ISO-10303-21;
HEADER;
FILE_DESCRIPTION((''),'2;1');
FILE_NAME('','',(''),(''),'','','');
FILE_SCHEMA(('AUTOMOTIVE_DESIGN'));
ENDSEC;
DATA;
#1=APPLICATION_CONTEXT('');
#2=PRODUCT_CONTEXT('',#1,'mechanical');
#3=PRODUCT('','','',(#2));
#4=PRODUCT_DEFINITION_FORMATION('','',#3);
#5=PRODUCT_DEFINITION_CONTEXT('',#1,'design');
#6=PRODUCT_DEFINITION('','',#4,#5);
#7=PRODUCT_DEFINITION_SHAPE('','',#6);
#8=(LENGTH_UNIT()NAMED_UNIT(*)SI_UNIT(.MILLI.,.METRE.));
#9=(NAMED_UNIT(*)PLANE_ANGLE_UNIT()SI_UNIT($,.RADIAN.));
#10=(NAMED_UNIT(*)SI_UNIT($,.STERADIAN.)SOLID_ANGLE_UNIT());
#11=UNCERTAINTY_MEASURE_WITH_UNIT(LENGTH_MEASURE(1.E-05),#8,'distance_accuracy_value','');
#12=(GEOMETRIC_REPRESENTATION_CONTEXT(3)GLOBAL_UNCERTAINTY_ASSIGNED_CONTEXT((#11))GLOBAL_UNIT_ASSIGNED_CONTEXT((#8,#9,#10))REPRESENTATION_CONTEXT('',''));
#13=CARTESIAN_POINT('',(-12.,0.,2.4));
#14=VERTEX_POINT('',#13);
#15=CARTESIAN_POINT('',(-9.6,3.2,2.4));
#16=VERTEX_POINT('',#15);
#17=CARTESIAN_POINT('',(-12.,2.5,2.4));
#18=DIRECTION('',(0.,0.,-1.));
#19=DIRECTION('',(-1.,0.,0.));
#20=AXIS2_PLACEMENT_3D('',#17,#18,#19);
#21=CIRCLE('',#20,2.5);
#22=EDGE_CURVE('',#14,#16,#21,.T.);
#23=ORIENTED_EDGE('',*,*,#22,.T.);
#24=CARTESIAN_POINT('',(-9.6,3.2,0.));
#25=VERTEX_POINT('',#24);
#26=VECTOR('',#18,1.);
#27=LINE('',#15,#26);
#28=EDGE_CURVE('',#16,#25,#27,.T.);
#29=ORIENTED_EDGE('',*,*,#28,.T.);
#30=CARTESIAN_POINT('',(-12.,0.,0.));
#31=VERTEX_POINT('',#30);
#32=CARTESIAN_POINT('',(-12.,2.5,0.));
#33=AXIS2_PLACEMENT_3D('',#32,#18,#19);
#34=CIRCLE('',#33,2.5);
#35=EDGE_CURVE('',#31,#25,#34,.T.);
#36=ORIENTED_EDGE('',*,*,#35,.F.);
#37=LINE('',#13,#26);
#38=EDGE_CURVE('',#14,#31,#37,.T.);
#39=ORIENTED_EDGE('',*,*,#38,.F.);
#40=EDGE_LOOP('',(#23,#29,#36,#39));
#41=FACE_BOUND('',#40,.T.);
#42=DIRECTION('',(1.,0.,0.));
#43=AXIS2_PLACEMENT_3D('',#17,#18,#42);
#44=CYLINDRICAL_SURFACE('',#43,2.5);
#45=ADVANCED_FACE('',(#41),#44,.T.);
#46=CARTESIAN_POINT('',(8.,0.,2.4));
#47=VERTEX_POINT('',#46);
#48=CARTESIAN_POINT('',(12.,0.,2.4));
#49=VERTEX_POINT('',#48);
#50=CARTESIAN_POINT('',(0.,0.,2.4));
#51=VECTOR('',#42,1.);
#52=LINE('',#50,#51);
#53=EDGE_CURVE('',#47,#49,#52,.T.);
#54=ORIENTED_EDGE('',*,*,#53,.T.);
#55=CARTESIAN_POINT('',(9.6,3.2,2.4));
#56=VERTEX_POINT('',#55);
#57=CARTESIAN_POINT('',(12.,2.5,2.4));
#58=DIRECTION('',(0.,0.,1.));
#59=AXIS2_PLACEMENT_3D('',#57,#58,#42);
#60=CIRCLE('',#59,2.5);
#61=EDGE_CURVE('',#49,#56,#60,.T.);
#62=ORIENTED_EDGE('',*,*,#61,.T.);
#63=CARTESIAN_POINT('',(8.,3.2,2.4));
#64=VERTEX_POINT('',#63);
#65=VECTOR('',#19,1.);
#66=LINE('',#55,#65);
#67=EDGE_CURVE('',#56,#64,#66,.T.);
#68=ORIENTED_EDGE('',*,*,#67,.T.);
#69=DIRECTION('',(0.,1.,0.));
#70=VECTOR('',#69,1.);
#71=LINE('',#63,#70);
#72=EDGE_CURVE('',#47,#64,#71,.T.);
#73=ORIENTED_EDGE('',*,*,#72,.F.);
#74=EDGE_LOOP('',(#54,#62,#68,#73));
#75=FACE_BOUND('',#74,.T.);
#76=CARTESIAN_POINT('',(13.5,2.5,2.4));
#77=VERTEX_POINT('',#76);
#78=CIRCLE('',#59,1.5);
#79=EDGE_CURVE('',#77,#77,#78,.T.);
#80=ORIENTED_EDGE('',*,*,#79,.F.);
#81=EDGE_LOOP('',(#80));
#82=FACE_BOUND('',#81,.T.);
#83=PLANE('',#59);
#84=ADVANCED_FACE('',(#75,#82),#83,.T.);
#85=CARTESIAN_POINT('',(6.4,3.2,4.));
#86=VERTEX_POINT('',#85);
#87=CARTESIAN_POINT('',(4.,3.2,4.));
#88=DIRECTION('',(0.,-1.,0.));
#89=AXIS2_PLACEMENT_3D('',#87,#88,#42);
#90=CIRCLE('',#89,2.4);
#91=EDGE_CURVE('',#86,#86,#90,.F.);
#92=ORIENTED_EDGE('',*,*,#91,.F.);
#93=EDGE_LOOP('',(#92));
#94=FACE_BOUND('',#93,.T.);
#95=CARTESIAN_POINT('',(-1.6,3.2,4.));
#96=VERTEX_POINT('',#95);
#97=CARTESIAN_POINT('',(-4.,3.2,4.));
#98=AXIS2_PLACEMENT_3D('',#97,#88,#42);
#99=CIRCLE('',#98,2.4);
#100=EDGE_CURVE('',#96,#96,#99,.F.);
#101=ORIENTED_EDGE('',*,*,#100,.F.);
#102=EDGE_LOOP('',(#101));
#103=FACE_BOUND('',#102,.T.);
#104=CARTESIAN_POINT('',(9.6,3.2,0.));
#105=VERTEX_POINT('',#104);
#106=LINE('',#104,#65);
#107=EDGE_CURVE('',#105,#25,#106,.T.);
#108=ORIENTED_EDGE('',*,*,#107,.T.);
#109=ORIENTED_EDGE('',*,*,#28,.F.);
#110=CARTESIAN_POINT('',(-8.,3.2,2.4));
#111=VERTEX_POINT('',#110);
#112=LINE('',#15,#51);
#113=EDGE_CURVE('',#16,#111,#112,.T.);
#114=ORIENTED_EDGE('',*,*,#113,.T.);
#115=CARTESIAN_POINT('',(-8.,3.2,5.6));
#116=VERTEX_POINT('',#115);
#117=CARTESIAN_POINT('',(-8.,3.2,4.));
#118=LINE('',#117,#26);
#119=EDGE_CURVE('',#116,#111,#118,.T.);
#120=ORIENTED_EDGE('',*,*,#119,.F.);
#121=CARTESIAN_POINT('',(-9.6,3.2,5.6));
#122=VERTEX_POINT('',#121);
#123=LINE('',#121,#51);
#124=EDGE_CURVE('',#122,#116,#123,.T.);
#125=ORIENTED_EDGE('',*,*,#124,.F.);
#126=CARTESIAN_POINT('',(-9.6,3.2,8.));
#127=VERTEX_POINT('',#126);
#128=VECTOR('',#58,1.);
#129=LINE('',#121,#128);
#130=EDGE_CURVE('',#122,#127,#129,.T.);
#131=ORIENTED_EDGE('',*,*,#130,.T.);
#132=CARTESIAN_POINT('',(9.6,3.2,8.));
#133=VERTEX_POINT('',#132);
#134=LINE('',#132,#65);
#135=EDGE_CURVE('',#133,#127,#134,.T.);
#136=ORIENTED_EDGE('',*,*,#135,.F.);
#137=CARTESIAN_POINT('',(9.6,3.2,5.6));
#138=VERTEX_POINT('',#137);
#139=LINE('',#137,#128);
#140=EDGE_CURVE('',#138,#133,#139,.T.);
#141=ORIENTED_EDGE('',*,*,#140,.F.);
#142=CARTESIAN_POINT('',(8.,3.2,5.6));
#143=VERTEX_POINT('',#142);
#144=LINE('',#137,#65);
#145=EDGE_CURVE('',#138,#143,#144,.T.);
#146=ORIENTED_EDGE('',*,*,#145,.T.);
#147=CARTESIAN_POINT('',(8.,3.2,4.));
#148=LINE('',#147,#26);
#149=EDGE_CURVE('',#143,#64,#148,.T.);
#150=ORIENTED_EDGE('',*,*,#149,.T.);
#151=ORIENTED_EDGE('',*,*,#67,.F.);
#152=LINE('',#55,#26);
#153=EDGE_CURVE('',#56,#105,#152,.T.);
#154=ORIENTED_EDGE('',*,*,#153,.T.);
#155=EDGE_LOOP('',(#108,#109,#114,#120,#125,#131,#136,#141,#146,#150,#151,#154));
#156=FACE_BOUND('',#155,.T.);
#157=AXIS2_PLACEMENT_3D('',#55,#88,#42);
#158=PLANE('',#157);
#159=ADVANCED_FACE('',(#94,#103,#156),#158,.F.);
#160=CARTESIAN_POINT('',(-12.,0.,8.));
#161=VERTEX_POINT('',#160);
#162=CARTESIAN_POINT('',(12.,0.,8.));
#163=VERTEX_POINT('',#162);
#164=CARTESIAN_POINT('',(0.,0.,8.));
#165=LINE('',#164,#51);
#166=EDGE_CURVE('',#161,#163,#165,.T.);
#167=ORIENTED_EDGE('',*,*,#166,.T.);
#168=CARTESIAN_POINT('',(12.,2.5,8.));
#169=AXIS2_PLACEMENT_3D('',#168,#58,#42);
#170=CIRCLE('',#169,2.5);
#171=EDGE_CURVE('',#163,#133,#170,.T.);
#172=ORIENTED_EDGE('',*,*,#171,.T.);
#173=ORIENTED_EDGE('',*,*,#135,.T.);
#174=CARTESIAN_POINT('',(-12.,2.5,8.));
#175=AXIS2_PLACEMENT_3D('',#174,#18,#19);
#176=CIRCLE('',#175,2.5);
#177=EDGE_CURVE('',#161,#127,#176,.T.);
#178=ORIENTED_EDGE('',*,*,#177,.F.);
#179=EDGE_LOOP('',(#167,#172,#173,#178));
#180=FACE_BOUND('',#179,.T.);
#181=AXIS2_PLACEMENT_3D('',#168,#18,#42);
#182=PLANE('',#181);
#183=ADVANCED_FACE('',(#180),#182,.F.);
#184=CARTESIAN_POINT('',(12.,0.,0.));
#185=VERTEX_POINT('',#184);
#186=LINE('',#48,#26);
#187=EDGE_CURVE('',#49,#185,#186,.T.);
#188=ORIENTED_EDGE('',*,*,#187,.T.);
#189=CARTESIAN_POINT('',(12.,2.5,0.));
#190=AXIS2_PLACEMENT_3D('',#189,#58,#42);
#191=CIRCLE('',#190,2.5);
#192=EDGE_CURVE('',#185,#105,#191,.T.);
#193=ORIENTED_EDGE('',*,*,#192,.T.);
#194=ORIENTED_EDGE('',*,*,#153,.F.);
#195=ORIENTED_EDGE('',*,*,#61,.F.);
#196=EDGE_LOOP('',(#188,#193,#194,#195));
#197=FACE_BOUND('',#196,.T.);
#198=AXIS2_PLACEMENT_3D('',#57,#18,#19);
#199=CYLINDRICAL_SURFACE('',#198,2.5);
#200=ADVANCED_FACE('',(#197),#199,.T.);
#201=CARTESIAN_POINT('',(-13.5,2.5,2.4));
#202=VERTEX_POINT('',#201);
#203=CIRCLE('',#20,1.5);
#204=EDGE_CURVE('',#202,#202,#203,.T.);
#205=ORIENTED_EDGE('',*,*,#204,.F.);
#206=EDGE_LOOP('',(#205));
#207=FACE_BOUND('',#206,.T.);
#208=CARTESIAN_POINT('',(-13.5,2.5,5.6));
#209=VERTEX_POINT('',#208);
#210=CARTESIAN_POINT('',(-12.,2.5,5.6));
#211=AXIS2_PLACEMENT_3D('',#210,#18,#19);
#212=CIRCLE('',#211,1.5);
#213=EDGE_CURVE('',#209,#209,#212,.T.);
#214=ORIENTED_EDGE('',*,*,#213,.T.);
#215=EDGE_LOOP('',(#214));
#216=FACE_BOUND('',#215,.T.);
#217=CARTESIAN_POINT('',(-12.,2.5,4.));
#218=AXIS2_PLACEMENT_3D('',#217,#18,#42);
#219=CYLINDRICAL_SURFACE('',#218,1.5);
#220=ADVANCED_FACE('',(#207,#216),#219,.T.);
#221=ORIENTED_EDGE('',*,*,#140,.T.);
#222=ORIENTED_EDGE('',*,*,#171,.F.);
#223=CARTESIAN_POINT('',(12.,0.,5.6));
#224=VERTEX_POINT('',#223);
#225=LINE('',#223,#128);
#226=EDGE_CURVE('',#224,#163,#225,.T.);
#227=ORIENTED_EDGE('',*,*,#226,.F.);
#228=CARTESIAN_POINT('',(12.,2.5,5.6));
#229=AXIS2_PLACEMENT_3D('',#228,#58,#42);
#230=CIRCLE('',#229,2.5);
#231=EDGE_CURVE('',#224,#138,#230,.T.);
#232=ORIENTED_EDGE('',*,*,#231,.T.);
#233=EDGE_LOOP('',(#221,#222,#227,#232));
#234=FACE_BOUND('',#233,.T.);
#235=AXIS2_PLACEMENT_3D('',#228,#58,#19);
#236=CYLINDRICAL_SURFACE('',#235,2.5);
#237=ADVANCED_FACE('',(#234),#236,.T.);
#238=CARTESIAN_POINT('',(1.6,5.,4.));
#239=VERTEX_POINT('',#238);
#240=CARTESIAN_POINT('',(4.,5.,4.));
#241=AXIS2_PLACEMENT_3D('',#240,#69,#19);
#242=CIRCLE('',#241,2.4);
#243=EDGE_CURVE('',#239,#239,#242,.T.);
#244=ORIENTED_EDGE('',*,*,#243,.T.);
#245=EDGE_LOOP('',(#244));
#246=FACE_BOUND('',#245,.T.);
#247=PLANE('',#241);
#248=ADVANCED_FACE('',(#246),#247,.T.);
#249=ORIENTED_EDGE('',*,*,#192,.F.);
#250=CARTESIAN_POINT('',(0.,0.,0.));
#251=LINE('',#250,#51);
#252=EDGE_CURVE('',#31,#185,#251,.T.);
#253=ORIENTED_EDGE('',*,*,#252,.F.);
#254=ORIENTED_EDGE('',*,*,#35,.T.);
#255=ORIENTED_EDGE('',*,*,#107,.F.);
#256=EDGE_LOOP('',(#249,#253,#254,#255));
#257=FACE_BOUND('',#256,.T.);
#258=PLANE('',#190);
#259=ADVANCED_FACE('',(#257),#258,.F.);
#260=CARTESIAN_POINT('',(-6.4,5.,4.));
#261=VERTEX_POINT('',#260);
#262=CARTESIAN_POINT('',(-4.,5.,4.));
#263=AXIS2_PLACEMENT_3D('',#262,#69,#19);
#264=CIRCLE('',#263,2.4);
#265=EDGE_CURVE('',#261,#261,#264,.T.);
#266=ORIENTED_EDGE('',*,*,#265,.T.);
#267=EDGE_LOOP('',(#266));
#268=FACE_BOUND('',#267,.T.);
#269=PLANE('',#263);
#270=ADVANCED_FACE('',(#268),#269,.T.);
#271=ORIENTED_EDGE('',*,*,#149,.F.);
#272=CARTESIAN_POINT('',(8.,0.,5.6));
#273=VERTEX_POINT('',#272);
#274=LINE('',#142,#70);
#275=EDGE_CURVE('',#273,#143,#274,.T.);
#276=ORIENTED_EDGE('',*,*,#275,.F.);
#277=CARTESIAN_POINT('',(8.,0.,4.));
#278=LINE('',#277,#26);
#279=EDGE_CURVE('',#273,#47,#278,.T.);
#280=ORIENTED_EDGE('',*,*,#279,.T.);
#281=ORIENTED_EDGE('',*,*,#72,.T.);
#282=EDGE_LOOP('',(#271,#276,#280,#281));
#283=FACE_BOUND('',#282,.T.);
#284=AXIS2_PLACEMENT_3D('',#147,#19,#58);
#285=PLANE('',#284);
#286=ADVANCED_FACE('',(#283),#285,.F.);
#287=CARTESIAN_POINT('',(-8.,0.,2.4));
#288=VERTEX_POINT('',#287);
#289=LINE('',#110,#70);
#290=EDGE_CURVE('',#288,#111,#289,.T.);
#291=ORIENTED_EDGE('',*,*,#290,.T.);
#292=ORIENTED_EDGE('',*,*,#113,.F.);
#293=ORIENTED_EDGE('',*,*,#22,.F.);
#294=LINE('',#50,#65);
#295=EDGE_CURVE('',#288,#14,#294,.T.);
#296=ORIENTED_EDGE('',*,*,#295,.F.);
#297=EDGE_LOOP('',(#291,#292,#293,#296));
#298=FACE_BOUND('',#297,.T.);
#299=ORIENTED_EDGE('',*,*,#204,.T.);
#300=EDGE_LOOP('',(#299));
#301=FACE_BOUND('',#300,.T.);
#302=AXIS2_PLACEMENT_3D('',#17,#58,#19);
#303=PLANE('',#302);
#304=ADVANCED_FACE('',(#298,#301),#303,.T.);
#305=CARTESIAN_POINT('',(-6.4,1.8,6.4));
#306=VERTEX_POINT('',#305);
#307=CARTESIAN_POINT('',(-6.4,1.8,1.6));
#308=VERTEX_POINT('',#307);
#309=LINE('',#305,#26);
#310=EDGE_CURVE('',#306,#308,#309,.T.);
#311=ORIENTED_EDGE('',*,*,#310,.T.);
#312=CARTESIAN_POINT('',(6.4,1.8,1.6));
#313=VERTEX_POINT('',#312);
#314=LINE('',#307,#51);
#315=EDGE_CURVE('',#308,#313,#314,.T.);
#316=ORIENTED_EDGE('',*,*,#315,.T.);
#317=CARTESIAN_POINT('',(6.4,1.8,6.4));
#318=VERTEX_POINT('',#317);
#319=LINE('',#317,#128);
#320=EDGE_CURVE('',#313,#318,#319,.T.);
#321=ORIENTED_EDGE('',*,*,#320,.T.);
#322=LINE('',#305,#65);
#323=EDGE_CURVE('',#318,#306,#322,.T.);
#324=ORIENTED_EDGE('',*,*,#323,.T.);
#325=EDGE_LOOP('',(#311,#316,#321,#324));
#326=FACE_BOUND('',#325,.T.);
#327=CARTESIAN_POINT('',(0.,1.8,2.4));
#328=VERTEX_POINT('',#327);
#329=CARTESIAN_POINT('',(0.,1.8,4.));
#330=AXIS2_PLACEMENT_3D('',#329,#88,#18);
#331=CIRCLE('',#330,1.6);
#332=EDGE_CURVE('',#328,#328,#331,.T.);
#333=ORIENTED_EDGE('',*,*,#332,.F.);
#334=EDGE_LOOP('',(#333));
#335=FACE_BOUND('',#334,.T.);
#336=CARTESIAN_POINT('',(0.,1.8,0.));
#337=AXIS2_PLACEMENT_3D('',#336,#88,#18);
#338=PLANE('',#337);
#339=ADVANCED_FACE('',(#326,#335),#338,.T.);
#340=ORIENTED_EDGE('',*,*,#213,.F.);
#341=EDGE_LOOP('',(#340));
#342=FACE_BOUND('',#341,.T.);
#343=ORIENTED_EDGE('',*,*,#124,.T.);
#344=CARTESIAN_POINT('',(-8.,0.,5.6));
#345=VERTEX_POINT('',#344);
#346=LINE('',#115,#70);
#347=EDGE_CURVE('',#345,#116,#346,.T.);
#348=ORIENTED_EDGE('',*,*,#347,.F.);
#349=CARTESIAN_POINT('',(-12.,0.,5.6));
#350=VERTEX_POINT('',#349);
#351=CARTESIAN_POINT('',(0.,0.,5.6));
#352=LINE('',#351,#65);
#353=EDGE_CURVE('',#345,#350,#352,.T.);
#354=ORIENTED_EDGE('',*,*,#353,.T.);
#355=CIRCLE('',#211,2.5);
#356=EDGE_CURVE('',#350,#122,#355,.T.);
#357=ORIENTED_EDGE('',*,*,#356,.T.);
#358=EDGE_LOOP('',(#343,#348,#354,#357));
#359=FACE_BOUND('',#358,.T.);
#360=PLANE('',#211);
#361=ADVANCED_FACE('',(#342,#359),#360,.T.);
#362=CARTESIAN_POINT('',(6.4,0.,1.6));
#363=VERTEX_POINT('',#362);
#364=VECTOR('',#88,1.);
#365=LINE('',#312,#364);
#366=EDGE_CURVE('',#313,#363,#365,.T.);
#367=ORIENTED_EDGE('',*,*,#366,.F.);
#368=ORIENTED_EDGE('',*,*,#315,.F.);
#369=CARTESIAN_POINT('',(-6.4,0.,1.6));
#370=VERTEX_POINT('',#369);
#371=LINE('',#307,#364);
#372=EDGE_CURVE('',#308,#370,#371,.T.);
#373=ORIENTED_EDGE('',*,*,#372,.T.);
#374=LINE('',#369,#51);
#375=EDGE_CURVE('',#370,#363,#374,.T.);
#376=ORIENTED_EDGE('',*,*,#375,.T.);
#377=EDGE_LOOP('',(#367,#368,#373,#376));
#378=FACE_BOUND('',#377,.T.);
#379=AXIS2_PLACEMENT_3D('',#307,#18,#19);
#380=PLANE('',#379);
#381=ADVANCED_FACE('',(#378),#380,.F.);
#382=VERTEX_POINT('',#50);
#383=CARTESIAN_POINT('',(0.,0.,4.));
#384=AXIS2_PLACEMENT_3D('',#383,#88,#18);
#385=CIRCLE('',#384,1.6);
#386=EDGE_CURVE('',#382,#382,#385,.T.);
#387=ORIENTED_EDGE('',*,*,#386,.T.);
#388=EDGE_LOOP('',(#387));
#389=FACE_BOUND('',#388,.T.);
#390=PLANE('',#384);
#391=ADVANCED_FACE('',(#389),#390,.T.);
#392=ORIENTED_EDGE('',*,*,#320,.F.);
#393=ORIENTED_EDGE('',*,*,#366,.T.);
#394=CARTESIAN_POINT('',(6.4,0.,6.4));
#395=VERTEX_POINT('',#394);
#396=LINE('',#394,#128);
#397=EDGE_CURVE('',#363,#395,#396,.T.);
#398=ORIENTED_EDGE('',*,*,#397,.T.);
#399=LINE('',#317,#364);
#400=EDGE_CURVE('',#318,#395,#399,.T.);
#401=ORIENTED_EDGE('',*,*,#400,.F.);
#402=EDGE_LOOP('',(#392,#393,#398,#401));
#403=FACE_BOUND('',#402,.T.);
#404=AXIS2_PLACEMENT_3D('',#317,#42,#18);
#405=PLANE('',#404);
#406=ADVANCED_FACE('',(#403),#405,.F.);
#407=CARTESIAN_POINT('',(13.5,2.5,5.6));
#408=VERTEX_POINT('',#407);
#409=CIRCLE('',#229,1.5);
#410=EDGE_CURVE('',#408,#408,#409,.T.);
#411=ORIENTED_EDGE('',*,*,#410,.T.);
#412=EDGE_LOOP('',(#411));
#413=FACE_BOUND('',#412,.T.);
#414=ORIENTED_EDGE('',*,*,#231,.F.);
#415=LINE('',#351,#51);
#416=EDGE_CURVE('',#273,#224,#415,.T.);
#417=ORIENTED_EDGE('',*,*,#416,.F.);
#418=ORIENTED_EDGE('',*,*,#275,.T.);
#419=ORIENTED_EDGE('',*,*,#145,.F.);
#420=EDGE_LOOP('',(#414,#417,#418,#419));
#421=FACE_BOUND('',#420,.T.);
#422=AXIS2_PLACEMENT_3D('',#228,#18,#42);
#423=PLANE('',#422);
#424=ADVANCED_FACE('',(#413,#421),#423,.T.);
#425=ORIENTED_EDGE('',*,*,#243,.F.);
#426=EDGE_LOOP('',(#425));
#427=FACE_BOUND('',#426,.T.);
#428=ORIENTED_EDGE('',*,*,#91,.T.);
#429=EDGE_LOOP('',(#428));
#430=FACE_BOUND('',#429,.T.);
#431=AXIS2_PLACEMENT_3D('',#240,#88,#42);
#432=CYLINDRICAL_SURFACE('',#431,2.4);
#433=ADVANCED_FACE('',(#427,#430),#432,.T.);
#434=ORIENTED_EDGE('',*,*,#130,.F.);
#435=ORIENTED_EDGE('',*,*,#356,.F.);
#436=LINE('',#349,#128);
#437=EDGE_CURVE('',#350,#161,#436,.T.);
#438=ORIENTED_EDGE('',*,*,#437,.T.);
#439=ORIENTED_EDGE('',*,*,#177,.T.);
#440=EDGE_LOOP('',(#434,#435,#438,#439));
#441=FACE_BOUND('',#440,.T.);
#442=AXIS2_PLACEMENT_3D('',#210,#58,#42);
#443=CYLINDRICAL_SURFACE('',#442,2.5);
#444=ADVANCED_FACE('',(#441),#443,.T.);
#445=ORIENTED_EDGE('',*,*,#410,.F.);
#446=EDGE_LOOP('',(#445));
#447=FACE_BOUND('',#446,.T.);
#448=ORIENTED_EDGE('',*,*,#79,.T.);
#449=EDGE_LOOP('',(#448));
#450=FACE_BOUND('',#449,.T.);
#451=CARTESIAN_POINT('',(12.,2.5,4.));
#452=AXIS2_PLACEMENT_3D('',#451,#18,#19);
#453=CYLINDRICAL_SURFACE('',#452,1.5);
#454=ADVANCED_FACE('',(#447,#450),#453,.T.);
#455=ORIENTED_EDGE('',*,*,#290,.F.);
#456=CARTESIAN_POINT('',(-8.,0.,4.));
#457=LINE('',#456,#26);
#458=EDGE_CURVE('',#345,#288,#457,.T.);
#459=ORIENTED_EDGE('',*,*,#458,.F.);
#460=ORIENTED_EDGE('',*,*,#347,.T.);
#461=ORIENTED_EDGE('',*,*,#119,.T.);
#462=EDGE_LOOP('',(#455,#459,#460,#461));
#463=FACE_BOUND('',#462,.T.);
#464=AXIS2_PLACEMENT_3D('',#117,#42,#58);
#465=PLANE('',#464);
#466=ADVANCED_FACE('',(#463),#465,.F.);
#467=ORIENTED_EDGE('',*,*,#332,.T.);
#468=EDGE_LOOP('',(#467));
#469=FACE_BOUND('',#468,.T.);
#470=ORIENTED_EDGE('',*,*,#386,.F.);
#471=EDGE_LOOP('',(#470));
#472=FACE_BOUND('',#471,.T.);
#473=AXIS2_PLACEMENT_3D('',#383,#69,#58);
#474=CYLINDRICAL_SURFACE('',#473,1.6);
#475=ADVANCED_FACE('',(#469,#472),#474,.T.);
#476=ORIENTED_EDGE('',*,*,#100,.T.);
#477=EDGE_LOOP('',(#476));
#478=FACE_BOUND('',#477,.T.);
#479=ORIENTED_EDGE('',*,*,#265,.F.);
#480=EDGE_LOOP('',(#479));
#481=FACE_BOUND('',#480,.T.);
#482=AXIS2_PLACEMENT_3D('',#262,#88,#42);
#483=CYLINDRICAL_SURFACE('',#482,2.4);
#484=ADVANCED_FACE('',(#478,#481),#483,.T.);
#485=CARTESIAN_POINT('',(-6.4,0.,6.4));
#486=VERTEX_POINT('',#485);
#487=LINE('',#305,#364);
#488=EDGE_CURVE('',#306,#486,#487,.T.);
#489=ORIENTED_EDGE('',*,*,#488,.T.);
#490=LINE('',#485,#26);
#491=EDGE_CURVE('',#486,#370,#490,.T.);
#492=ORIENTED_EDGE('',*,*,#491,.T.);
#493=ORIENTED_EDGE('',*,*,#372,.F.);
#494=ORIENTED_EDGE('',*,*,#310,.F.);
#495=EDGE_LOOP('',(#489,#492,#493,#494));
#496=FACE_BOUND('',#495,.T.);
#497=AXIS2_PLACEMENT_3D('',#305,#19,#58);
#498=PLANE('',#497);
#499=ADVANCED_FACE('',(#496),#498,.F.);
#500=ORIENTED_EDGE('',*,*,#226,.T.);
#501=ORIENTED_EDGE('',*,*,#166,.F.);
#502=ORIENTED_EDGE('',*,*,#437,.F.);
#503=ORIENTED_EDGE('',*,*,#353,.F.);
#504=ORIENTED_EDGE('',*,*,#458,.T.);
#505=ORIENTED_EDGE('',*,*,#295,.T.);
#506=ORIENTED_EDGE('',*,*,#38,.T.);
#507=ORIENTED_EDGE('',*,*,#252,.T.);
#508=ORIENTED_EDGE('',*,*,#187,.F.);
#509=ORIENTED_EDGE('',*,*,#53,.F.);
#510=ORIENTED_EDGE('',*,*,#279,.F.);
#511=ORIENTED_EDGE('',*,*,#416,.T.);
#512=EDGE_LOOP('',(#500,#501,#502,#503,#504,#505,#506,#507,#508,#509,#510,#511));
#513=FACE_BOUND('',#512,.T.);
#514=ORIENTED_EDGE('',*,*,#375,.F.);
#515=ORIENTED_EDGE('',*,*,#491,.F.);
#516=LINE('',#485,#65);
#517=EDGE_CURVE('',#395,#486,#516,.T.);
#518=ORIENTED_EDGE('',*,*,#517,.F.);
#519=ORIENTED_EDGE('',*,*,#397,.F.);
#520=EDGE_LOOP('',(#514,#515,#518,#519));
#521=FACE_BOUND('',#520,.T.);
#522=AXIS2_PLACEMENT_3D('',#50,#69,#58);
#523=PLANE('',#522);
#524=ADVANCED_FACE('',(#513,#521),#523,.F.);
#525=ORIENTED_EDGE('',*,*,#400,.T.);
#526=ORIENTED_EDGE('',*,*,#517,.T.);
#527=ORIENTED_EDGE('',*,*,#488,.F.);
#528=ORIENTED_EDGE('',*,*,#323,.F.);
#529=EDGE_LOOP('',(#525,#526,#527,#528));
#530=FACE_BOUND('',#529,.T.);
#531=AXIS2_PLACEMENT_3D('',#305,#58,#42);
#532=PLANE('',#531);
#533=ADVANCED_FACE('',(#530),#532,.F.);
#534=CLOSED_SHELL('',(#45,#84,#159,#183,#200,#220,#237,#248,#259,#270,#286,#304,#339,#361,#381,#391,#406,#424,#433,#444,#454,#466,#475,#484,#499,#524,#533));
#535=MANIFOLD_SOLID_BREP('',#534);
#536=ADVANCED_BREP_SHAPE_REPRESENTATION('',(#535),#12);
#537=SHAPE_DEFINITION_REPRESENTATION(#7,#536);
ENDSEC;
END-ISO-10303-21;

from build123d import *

# Parameters (mm, degrees)
BOSS_EXTRUDE1_DEPTH = 2.4
SKETCH2_R           = 1.5
BOSS_EXTRUDE2_DEPTH = 1.6
SKETCH3_W           = 8
SKETCH3_H           = 3.2
BOSS_EXTRUDE3_DEPTH = 1.6
SKETCH4_R           = 2.4
BOSS_EXTRUDE4_DEPTH = 1.8
SKETCH5_W           = 12.8
SKETCH5_H           = 4.8
CUT_EXTRUDE1_DEPTH  = 1.8
SKETCH6_R           = 1.6
BOSS_EXTRUDE5_DEPTH = 1.8


with BuildPart() as part:
    # Sketch1 → Boss-Extrude1 (new body)
    with BuildSketch(Plane.XY):
        with BuildLine():
            Line((9.6, 3.2), (0, 3.2))
            Line((0, 3.2), (0, 0))
            Line((0, 0), (12, 0))
            ThreePointArc((12, 0), (14, 4), (9.6, 3.2))
        make_face()
    extrude(amount=BOSS_EXTRUDE1_DEPTH)

    # Sketch2 → Boss-Extrude2 (add)
    with BuildSketch(Plane.XY.offset(2.4)):
        with Locations((12, 2.5)):
            Circle(SKETCH2_R)
    extrude(amount=BOSS_EXTRUDE2_DEPTH)

    # Sketch3 → Boss-Extrude3 (add)
    with BuildSketch(Plane.XY.offset(2.4)):
        with Locations((4, 1.6)):
            Rectangle(SKETCH3_W, SKETCH3_H)
    extrude(amount=BOSS_EXTRUDE3_DEPTH)

    # Mirror2: part across plane


with BuildPart() as part_1:
    add(part.part)
    add(part.part.mirror(Plane(origin=(12, 2.5, 4), x_dir=(1, 0, 0), z_dir=(0, 0, 1))))

    # Mirror3: part across plane


with BuildPart() as part_2:
    add(part_1.part)
    add(part_1.part.mirror(Plane(origin=(0, 3.2, 2.4), x_dir=(0, 0, 1), z_dir=(1, 0, 0))))

    # Sketch4 → Boss-Extrude4 (add)
    with BuildSketch(Plane(origin=(0, 3.2, 0), x_dir=(1, 0, 0), z_dir=(0, 1, 0))):
        with Locations((-4, -4)):
            Circle(SKETCH4_R)
        with Locations((4, -4)):
            Circle(SKETCH4_R)
    extrude(amount=BOSS_EXTRUDE4_DEPTH)

    # Sketch5 → Cut-Extrude1 (cut)
    with BuildSketch(Plane.XZ):
        with Locations((0, 4)):
            Rectangle(SKETCH5_W, SKETCH5_H)
    extrude(amount=-CUT_EXTRUDE1_DEPTH, mode=Mode.SUBTRACT)

    # Sketch6 → Boss-Extrude5 (add)
    with BuildSketch(Plane.XZ.offset(-1.8)):
        with Locations((0, 4)):
            Circle(SKETCH6_R)
    extrude(amount=BOSS_EXTRUDE5_DEPTH)


solid = part_2.part
